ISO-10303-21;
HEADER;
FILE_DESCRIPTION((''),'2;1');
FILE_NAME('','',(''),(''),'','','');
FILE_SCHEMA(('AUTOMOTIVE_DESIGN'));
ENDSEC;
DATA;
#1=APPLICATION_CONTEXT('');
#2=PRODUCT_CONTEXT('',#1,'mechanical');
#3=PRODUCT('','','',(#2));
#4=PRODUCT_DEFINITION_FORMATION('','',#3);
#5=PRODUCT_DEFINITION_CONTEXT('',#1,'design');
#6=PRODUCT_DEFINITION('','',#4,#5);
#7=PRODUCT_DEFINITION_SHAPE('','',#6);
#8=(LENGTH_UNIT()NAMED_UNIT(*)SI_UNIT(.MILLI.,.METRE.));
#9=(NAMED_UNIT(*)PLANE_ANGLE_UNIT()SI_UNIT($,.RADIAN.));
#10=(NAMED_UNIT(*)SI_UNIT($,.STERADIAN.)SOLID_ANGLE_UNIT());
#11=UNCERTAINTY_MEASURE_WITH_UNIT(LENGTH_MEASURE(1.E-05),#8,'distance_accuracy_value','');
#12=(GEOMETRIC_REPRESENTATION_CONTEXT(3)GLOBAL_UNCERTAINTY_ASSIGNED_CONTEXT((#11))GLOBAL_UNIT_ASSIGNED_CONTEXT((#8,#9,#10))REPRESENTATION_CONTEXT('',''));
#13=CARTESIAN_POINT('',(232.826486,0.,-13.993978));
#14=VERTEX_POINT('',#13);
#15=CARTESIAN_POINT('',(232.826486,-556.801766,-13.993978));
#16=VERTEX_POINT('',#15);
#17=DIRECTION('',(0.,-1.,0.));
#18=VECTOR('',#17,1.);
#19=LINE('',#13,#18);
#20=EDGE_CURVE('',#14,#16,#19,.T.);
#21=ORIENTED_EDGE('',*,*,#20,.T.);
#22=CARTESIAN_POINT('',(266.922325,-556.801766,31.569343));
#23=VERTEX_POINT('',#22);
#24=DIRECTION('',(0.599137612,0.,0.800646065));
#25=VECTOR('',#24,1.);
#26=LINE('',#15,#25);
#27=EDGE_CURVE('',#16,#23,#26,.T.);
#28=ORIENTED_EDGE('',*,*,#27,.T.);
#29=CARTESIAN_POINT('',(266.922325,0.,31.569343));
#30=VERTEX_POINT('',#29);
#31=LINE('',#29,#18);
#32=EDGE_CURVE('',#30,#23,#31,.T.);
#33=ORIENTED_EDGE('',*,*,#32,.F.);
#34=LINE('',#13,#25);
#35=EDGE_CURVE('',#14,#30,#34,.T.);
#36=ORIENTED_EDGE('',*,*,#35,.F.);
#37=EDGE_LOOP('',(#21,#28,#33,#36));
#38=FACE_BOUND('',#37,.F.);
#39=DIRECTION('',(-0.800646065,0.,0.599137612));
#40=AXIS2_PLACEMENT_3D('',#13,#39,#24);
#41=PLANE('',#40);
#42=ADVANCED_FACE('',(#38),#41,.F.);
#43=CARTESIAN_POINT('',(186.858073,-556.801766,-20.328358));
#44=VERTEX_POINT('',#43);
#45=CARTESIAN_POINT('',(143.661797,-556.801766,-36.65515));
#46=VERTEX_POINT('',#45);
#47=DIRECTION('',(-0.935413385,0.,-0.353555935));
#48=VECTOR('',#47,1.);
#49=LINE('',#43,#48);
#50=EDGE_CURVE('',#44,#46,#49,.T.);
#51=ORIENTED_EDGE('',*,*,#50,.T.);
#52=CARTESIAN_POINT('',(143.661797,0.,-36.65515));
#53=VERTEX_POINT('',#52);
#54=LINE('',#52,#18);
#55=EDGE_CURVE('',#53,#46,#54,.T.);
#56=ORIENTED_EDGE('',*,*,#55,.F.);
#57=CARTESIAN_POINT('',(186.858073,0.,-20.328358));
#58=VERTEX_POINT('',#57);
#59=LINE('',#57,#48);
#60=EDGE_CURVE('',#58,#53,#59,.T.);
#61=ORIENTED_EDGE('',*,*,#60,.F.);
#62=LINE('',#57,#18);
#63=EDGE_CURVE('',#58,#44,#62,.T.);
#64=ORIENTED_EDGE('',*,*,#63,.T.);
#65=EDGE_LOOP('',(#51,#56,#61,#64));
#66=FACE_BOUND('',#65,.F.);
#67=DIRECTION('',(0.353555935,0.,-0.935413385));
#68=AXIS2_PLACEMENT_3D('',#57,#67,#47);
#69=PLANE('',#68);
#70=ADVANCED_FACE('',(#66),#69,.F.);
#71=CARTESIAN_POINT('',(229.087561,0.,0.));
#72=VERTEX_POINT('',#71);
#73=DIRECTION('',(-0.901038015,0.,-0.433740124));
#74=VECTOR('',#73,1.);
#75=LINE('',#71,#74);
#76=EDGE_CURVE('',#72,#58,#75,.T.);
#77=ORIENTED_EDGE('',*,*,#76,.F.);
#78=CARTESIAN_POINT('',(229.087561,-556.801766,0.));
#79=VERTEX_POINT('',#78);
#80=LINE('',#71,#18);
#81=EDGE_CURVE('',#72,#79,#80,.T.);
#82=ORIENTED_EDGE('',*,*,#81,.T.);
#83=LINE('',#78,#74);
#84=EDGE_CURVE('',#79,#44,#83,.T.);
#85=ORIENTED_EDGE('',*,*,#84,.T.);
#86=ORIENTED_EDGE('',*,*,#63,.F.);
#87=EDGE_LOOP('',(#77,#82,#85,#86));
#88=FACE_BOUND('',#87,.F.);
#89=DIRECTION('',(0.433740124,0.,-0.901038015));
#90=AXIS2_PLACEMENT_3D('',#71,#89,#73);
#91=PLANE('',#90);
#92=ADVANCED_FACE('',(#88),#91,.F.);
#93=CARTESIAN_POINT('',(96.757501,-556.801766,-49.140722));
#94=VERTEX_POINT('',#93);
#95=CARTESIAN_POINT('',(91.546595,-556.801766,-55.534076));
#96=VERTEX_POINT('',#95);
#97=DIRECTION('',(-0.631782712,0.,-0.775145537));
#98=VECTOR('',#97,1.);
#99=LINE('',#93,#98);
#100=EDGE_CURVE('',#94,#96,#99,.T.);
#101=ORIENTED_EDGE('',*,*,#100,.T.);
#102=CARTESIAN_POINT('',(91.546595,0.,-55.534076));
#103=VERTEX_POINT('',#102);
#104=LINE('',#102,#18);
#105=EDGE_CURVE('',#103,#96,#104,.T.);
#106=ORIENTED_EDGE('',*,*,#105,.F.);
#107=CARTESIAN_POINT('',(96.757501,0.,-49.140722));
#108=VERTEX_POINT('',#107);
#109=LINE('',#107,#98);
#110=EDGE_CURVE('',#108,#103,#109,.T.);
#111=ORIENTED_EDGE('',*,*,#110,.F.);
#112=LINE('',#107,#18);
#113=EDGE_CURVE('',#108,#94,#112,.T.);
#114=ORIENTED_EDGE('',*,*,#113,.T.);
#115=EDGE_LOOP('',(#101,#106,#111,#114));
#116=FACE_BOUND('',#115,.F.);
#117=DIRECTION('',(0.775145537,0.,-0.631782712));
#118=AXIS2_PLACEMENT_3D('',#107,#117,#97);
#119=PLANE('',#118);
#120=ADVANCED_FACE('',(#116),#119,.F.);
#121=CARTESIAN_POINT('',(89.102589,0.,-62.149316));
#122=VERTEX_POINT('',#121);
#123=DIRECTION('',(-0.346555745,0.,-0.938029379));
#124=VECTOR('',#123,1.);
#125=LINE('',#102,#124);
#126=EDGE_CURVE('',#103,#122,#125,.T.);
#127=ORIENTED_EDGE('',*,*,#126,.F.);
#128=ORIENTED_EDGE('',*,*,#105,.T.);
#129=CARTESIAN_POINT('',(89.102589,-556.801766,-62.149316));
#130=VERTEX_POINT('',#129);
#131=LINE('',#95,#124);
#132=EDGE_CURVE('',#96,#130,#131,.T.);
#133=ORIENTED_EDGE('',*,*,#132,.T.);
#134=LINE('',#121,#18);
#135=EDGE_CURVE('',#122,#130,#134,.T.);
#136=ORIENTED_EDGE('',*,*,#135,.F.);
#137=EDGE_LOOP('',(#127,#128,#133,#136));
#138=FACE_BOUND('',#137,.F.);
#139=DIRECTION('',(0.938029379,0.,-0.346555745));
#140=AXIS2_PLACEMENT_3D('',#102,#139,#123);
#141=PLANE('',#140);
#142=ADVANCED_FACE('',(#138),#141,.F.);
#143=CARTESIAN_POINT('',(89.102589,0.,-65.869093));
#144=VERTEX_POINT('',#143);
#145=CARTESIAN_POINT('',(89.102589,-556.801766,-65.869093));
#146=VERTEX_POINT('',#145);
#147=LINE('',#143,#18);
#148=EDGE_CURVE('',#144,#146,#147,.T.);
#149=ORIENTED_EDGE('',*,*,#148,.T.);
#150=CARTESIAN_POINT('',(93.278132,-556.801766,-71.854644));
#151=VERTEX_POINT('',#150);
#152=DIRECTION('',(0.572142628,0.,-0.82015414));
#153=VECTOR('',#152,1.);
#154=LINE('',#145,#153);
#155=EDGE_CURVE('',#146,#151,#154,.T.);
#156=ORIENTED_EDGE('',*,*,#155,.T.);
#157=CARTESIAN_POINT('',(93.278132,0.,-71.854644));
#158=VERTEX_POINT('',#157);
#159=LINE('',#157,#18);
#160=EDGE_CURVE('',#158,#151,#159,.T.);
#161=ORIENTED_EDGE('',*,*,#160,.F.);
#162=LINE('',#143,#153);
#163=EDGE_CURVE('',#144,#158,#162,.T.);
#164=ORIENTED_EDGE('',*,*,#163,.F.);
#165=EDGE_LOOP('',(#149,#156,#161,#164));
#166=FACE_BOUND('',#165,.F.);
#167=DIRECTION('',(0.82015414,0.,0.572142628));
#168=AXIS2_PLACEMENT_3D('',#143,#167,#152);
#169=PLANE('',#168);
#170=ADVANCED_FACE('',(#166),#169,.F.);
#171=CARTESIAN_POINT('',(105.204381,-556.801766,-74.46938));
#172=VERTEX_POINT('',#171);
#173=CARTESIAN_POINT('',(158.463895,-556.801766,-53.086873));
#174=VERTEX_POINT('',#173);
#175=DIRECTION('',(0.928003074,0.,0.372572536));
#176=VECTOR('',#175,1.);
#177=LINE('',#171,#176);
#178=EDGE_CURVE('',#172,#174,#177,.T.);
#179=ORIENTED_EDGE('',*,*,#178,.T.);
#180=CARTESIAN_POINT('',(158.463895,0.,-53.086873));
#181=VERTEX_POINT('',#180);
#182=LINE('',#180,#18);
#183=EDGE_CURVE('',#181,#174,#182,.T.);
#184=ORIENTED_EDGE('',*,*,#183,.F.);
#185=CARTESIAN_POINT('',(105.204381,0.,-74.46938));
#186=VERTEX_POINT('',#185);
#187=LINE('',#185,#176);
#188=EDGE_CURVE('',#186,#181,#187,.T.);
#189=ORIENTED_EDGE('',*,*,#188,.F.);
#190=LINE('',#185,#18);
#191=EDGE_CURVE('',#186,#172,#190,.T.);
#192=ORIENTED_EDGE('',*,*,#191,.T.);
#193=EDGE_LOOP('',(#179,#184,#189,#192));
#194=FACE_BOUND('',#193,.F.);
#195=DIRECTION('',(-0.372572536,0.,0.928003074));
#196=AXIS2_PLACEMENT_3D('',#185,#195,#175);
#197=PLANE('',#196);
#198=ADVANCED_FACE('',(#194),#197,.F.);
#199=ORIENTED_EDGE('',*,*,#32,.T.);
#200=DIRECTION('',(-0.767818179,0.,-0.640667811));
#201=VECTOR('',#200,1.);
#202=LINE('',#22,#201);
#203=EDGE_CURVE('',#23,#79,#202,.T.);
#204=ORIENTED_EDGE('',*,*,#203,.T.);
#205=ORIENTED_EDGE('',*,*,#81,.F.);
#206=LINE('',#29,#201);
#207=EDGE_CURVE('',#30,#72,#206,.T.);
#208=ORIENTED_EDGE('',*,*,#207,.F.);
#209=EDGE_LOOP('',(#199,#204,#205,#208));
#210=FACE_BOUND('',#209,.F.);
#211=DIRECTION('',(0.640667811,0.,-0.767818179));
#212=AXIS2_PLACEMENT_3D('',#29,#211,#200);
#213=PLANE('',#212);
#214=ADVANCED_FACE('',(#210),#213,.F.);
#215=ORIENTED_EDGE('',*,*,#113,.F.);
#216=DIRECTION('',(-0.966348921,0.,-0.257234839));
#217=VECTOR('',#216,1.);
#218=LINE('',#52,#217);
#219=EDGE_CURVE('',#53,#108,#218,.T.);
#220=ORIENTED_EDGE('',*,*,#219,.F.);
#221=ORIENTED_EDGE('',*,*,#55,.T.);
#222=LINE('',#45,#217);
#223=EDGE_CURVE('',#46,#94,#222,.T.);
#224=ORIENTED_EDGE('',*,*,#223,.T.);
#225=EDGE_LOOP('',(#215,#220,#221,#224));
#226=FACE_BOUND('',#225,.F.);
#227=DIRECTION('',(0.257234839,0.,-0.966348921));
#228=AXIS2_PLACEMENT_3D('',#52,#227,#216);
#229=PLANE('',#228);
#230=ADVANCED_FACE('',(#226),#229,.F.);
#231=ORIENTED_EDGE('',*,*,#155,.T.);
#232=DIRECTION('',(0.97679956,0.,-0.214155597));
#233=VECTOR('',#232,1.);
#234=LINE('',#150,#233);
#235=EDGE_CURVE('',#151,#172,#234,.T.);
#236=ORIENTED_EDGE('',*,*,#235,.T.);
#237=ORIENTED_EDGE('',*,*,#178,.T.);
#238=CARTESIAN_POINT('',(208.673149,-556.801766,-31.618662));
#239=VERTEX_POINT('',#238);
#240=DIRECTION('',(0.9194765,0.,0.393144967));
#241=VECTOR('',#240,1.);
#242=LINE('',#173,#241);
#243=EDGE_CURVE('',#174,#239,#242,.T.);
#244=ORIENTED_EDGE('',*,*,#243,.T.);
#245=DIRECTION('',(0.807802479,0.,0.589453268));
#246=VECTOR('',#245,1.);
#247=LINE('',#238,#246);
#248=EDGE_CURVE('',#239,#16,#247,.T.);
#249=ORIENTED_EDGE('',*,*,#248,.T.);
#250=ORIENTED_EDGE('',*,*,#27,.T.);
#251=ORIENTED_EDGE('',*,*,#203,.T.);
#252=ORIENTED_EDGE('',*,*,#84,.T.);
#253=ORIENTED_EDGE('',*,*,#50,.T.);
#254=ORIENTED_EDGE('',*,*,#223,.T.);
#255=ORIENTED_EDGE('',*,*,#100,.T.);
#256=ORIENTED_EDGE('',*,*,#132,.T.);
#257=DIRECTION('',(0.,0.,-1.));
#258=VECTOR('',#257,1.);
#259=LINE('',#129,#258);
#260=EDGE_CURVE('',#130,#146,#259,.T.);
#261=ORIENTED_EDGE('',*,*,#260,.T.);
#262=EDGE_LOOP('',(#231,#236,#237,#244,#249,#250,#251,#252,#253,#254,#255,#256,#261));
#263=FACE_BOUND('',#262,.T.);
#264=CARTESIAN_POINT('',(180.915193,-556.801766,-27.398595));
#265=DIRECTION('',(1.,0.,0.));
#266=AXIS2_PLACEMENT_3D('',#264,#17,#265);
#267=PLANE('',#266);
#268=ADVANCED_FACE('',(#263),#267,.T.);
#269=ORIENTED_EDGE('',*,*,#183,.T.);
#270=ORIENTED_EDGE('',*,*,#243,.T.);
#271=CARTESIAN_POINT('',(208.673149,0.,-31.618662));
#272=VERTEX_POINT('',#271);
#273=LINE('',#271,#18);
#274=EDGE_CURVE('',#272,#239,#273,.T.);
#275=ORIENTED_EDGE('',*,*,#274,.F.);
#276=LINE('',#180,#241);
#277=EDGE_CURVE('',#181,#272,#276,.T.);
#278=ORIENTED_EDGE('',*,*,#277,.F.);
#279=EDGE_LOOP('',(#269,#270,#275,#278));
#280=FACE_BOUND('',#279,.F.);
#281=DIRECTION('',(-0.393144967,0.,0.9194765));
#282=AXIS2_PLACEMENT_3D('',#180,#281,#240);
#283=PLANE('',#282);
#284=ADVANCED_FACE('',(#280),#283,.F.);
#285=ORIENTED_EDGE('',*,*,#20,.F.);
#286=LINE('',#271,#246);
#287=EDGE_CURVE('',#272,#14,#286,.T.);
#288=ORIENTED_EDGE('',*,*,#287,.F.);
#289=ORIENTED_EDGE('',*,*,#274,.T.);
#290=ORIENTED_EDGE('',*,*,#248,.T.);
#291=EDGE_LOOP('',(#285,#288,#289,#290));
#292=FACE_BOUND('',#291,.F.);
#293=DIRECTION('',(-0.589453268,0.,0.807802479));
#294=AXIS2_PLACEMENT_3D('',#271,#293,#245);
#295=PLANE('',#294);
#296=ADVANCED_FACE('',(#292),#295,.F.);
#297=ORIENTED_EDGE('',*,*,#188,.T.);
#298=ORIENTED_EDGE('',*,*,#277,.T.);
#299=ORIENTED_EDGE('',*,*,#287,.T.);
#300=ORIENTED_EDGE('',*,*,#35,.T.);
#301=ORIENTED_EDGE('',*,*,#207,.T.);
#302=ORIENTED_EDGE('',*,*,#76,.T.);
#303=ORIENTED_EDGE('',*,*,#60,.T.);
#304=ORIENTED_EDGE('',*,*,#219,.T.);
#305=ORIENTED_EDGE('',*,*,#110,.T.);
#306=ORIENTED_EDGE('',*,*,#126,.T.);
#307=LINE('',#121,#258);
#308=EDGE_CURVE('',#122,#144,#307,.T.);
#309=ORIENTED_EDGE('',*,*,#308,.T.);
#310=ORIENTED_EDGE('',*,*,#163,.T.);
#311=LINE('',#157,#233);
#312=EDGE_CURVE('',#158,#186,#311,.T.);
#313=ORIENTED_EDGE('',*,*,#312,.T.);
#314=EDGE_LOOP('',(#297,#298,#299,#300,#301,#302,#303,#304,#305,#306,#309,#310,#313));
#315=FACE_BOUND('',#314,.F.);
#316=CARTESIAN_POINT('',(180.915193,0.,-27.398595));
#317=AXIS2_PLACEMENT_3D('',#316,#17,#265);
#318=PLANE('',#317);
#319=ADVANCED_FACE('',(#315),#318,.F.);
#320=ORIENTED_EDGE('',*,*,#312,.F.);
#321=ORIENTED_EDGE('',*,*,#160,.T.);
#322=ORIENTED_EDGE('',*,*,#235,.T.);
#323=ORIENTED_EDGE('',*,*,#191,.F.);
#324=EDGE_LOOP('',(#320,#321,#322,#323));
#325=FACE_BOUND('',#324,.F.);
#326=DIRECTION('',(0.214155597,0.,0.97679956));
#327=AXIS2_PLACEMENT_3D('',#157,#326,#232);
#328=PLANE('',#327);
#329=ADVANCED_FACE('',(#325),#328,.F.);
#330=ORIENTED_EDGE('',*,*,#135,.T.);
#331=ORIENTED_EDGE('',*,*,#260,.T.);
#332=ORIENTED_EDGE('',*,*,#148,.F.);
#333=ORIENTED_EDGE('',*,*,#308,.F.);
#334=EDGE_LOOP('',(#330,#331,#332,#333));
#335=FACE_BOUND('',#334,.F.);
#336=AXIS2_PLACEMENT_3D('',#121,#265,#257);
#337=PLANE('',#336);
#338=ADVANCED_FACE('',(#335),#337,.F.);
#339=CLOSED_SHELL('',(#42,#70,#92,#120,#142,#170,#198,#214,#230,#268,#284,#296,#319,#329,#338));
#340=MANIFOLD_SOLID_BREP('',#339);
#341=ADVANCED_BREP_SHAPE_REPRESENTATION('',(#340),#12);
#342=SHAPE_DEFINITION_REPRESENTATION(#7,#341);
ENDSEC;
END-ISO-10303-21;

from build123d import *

# Parameters (mm, degrees)
F2_DEPTH = 556.801766


with BuildPart() as f2:
    # F1 (on face) → F2 (new body)
    with BuildSketch(Plane.XZ):
        Polygon((186.858073, -20.328358), (143.661797, -36.65515), (96.757501, -49.140722), (91.546595, -55.534076), (89.102589, -62.149316), (89.102589, -65.869093), (93.278132, -71.854644), (105.204381, -74.46938), (158.463895, -53.086873), (208.673149, -31.618662), (232.826486, -13.993978), (266.922325, 31.569343), (229.087561, 0), align=None)
    extrude(amount=F2_DEPTH)


solid = f2.part
